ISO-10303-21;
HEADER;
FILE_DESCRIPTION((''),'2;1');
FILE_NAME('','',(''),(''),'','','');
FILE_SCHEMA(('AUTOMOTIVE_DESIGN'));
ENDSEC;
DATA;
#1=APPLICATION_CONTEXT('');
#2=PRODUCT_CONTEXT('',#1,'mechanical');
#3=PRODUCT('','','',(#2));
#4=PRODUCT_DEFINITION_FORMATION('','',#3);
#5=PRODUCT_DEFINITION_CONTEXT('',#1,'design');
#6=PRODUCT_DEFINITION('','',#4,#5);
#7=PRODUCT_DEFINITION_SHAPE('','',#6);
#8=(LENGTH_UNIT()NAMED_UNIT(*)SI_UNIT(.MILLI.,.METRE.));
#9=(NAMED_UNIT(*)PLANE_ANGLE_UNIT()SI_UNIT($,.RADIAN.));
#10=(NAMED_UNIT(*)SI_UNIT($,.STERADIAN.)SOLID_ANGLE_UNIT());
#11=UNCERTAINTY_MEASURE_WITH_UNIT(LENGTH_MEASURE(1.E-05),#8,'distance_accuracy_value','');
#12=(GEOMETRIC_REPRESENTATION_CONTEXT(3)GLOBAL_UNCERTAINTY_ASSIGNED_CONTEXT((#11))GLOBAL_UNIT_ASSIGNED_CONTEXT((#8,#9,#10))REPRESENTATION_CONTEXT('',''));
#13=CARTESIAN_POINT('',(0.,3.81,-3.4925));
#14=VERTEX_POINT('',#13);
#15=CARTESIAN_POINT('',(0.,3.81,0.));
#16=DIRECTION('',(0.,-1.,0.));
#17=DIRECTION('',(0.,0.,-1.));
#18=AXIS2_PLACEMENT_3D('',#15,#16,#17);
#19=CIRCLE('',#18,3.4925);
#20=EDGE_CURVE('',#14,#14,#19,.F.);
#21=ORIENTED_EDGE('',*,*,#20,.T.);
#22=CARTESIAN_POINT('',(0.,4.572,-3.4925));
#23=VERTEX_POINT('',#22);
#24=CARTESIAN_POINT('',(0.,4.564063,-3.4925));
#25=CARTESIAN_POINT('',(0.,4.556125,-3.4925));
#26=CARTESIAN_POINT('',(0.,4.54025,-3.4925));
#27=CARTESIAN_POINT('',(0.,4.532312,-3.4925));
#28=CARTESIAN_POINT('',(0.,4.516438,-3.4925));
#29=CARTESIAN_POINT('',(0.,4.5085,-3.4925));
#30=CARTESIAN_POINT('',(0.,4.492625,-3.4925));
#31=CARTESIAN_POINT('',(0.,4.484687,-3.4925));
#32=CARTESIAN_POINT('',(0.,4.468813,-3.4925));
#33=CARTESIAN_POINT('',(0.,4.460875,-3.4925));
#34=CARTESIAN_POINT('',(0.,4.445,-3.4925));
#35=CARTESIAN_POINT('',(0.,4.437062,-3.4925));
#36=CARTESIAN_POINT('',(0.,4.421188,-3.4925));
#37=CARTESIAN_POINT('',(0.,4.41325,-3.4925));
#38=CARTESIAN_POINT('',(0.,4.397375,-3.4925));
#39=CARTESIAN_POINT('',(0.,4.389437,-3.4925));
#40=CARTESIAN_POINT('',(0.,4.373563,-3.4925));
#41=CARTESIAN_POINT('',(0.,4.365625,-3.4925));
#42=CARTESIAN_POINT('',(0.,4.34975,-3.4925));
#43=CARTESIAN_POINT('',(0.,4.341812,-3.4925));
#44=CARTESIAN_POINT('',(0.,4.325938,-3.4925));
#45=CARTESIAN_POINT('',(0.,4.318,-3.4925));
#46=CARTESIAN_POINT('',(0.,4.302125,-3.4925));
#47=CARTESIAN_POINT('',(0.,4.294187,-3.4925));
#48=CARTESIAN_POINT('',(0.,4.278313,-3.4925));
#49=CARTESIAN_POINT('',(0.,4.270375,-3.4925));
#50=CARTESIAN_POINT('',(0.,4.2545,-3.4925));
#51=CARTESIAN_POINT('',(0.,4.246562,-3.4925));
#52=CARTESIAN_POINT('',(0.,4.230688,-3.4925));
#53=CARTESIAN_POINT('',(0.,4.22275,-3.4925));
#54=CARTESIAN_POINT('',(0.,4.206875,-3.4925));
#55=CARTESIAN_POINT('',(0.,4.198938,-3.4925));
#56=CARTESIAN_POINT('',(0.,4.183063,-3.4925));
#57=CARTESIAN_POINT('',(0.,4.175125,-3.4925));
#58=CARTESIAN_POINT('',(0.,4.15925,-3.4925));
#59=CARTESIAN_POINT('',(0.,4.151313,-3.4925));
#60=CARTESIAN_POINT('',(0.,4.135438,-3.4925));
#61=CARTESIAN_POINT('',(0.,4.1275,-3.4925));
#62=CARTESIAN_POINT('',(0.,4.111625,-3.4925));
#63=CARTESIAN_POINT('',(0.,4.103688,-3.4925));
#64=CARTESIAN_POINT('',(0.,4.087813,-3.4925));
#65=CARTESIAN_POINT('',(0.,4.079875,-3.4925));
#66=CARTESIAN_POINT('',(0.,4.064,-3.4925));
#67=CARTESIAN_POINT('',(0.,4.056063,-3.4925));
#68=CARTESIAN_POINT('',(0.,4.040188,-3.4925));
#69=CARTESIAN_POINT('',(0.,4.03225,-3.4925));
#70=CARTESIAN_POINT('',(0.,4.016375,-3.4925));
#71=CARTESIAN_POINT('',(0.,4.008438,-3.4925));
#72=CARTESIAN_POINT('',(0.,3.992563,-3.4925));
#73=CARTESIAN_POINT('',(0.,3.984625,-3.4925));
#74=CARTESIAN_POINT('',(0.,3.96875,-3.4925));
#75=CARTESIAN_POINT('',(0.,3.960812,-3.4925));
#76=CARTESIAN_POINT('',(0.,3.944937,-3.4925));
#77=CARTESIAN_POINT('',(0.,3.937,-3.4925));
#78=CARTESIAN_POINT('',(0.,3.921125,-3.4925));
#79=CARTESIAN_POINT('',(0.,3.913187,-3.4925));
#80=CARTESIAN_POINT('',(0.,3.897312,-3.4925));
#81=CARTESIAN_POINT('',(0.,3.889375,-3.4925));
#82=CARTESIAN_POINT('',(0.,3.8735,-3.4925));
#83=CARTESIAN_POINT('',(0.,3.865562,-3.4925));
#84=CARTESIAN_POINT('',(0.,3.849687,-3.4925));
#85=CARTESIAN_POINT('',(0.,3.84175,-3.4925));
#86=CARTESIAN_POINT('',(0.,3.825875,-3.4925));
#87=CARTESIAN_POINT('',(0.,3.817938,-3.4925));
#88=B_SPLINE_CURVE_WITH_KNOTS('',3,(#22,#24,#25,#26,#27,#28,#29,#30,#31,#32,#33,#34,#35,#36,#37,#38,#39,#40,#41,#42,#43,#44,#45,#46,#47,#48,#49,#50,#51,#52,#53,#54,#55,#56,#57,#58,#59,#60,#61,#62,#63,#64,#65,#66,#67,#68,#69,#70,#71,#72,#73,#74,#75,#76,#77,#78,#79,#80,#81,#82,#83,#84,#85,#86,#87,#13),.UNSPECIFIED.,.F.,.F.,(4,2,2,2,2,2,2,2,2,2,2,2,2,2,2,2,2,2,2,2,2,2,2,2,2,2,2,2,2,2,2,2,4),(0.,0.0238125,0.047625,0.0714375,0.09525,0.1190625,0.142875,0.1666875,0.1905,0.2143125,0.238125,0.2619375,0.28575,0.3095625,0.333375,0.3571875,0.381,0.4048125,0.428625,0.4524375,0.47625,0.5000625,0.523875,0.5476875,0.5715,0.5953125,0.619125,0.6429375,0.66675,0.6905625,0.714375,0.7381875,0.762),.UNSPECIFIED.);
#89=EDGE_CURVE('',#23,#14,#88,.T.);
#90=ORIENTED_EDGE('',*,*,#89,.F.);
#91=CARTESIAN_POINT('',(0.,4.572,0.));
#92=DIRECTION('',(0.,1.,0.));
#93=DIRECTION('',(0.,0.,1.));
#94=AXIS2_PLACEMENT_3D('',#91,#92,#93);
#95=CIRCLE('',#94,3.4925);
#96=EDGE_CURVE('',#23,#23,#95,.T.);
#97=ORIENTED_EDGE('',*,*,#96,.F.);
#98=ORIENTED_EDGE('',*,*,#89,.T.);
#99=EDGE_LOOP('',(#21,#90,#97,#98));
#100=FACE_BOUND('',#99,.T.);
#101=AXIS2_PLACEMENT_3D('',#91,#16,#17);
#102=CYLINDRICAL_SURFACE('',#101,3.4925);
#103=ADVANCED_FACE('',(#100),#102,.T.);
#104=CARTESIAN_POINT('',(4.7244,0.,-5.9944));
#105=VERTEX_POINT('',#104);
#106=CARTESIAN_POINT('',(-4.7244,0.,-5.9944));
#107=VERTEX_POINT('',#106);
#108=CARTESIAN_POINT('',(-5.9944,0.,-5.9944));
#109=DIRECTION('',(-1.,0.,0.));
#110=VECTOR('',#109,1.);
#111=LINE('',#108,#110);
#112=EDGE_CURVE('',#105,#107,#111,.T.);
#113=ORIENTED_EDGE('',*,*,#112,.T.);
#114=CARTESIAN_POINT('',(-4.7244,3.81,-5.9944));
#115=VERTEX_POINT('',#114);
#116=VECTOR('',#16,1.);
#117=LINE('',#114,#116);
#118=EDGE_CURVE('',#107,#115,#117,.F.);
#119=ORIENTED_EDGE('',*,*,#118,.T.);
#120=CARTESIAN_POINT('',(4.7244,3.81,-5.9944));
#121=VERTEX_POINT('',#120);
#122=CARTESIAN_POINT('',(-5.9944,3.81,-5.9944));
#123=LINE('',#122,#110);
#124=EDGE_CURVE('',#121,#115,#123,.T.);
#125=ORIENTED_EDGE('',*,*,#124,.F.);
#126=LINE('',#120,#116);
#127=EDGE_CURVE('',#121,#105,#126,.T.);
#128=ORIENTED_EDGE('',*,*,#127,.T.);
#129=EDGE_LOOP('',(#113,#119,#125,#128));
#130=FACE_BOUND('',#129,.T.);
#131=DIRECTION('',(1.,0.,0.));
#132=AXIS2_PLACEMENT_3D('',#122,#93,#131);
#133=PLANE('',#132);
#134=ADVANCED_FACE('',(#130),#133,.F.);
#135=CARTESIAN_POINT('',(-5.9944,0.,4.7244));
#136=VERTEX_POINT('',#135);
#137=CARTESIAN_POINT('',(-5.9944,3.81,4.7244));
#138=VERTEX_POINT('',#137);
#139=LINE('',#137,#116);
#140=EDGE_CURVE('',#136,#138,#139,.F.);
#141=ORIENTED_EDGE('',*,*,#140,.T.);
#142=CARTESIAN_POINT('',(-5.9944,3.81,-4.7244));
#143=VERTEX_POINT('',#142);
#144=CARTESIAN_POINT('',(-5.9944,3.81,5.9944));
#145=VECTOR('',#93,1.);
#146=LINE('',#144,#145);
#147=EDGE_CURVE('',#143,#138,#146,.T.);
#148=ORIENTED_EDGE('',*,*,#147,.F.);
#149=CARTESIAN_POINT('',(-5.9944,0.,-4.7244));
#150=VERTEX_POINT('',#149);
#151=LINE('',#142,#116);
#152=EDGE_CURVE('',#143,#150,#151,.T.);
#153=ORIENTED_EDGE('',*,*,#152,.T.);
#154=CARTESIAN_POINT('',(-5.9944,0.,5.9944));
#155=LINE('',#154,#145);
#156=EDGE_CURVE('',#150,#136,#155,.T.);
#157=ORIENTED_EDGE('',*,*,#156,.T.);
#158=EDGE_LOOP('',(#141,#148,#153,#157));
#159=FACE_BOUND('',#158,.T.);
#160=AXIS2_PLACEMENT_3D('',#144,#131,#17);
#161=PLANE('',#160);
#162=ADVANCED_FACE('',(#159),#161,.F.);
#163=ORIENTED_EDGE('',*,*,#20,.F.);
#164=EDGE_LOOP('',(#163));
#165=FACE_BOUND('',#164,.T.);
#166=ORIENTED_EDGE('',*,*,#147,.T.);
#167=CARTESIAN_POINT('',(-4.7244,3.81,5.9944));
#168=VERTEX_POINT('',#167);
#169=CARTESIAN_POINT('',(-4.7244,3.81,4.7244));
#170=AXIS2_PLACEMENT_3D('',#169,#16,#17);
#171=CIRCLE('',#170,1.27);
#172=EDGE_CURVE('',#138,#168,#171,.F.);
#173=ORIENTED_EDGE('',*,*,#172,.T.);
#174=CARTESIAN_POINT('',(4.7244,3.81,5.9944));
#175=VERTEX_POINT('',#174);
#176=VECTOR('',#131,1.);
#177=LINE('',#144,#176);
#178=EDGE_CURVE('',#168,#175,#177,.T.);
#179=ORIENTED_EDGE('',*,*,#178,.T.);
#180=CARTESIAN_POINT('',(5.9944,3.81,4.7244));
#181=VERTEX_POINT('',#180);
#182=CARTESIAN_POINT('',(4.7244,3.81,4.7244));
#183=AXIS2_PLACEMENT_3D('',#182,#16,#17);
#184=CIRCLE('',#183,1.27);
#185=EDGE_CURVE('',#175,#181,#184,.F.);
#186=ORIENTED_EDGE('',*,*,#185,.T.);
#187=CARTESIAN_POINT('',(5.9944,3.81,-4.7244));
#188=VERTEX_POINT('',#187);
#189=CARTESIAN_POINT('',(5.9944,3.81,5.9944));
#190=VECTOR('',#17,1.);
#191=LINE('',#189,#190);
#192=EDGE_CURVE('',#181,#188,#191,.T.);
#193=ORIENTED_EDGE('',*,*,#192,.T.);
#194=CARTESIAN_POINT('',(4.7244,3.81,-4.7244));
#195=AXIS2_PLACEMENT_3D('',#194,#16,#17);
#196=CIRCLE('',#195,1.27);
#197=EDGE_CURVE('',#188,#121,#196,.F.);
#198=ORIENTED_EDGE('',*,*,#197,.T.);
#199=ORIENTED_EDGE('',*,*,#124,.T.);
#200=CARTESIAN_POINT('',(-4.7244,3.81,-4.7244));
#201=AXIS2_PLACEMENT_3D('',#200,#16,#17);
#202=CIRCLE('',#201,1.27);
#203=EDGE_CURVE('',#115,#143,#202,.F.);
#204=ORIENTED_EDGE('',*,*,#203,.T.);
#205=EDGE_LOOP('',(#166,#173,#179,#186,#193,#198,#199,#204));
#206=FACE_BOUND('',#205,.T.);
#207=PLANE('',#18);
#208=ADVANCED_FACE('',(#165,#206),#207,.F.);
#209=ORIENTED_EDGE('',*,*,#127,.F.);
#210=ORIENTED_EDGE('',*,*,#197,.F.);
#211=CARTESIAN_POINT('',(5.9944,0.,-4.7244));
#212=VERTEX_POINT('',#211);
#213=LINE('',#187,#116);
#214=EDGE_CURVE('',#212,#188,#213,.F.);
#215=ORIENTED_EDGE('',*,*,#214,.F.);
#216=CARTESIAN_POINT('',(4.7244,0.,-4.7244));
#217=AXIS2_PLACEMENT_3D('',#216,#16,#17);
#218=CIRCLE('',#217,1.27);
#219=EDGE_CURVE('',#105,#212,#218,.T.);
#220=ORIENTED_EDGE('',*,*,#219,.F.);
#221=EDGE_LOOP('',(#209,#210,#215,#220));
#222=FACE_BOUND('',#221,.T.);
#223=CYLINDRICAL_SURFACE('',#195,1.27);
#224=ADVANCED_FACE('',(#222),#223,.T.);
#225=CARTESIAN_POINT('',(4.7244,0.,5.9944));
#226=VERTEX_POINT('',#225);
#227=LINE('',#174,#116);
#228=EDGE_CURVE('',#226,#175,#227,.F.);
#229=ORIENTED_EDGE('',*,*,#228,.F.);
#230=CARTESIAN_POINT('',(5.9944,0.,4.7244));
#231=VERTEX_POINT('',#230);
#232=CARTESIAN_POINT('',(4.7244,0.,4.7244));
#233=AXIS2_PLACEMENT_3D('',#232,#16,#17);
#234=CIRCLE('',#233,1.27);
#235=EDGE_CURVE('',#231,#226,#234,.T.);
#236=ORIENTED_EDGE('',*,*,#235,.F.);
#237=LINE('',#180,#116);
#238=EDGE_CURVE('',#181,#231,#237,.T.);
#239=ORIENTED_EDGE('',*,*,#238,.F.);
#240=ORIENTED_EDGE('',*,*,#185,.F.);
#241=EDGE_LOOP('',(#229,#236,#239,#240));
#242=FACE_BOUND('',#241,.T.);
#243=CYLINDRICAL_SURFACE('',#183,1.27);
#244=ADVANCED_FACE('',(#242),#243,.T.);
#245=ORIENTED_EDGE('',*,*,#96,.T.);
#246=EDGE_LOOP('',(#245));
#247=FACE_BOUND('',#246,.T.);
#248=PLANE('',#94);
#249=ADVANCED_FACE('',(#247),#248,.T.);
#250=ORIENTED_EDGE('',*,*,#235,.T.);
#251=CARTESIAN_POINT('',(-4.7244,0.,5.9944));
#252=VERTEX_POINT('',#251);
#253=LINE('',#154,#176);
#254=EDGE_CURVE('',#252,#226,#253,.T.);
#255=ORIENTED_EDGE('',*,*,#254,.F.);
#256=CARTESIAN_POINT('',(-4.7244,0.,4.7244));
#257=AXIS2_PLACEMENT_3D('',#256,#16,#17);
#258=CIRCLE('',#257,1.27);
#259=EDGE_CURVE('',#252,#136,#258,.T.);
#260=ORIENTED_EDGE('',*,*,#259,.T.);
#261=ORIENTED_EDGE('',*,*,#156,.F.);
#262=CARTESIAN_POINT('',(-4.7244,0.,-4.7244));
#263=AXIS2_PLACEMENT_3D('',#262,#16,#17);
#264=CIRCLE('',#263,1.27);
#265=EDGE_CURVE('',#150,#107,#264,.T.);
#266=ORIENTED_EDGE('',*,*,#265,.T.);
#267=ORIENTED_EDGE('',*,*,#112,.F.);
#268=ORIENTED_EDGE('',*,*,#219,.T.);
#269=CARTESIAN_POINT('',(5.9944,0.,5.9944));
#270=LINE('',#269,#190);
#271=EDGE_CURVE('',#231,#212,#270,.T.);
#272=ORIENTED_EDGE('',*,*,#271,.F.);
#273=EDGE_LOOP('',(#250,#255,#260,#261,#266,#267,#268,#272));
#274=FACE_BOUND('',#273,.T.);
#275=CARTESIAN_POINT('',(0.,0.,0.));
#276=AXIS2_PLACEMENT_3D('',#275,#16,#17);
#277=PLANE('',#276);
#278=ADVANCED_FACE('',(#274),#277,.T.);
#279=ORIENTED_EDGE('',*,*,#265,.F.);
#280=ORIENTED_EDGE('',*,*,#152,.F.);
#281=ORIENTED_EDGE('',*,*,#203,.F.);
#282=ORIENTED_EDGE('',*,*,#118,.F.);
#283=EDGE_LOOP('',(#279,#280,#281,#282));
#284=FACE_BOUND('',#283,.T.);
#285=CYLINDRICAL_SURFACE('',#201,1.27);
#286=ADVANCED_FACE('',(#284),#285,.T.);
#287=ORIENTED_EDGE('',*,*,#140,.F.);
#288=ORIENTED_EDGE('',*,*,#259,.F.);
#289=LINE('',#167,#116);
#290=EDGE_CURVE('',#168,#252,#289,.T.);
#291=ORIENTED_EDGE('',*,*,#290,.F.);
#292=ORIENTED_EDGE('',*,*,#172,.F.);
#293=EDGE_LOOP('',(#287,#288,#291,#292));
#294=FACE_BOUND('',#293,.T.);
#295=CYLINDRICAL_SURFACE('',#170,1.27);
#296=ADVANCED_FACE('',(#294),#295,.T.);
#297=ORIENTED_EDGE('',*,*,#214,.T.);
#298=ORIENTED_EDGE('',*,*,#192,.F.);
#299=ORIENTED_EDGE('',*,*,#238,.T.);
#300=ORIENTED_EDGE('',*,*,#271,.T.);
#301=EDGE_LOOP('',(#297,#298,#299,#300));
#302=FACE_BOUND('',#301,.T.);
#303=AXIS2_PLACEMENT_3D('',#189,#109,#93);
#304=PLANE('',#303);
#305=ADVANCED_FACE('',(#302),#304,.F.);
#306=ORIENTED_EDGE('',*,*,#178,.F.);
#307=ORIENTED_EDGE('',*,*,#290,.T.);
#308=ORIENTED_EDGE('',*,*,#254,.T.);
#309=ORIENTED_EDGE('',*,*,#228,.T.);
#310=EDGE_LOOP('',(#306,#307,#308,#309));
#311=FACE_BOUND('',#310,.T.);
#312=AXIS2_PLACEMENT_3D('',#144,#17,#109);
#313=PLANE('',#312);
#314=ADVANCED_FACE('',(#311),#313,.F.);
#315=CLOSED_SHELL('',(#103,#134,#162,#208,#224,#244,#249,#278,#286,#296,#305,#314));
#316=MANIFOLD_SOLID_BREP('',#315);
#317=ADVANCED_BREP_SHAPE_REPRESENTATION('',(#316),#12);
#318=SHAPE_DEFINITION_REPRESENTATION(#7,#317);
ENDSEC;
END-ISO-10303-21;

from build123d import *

# Parameters (mm, degrees)
SKETCH1_W           = 11.9888
SKETCH1_H           = 11.9888
BOSS_EXTRUDE1_DEPTH = 3.81
SKETCH2_R           = 3.4925
BOSS_EXTRUDE2_DEPTH = 0.762
FILLET3_R           = 1.27


with BuildPart() as part:
    # Sketch1 → Boss-Extrude1 (new body)
    with BuildSketch(Plane(origin=(0, 0, 0), x_dir=(1, 0, 0), z_dir=(0, 1, 0))):
        Rectangle(SKETCH1_W, SKETCH1_H)
    extrude(amount=BOSS_EXTRUDE1_DEPTH)

    # Sketch2 → Boss-Extrude2 (add)
    with BuildSketch(Plane(origin=(0, 3.81, 0), x_dir=(1, 0, 0), z_dir=(0, 1, 0))):
        with Locations(Location((0, 0, 0), (0, 0, 90))):
            Circle(SKETCH2_R)
    extrude(amount=BOSS_EXTRUDE2_DEPTH)

    # Fillet3
    fillet3_edges = [part.edges().sort_by_distance(p)[0] for p in [
        (5.9944, 1.905, 5.9944),
        (-5.9944, 1.905, 5.9944),
        (-5.9944, 1.905, -5.9944),
        (5.9944, 1.905, -5.9944),
    ]]
    fillet(fillet3_edges, radius=FILLET3_R)


solid = part.part
